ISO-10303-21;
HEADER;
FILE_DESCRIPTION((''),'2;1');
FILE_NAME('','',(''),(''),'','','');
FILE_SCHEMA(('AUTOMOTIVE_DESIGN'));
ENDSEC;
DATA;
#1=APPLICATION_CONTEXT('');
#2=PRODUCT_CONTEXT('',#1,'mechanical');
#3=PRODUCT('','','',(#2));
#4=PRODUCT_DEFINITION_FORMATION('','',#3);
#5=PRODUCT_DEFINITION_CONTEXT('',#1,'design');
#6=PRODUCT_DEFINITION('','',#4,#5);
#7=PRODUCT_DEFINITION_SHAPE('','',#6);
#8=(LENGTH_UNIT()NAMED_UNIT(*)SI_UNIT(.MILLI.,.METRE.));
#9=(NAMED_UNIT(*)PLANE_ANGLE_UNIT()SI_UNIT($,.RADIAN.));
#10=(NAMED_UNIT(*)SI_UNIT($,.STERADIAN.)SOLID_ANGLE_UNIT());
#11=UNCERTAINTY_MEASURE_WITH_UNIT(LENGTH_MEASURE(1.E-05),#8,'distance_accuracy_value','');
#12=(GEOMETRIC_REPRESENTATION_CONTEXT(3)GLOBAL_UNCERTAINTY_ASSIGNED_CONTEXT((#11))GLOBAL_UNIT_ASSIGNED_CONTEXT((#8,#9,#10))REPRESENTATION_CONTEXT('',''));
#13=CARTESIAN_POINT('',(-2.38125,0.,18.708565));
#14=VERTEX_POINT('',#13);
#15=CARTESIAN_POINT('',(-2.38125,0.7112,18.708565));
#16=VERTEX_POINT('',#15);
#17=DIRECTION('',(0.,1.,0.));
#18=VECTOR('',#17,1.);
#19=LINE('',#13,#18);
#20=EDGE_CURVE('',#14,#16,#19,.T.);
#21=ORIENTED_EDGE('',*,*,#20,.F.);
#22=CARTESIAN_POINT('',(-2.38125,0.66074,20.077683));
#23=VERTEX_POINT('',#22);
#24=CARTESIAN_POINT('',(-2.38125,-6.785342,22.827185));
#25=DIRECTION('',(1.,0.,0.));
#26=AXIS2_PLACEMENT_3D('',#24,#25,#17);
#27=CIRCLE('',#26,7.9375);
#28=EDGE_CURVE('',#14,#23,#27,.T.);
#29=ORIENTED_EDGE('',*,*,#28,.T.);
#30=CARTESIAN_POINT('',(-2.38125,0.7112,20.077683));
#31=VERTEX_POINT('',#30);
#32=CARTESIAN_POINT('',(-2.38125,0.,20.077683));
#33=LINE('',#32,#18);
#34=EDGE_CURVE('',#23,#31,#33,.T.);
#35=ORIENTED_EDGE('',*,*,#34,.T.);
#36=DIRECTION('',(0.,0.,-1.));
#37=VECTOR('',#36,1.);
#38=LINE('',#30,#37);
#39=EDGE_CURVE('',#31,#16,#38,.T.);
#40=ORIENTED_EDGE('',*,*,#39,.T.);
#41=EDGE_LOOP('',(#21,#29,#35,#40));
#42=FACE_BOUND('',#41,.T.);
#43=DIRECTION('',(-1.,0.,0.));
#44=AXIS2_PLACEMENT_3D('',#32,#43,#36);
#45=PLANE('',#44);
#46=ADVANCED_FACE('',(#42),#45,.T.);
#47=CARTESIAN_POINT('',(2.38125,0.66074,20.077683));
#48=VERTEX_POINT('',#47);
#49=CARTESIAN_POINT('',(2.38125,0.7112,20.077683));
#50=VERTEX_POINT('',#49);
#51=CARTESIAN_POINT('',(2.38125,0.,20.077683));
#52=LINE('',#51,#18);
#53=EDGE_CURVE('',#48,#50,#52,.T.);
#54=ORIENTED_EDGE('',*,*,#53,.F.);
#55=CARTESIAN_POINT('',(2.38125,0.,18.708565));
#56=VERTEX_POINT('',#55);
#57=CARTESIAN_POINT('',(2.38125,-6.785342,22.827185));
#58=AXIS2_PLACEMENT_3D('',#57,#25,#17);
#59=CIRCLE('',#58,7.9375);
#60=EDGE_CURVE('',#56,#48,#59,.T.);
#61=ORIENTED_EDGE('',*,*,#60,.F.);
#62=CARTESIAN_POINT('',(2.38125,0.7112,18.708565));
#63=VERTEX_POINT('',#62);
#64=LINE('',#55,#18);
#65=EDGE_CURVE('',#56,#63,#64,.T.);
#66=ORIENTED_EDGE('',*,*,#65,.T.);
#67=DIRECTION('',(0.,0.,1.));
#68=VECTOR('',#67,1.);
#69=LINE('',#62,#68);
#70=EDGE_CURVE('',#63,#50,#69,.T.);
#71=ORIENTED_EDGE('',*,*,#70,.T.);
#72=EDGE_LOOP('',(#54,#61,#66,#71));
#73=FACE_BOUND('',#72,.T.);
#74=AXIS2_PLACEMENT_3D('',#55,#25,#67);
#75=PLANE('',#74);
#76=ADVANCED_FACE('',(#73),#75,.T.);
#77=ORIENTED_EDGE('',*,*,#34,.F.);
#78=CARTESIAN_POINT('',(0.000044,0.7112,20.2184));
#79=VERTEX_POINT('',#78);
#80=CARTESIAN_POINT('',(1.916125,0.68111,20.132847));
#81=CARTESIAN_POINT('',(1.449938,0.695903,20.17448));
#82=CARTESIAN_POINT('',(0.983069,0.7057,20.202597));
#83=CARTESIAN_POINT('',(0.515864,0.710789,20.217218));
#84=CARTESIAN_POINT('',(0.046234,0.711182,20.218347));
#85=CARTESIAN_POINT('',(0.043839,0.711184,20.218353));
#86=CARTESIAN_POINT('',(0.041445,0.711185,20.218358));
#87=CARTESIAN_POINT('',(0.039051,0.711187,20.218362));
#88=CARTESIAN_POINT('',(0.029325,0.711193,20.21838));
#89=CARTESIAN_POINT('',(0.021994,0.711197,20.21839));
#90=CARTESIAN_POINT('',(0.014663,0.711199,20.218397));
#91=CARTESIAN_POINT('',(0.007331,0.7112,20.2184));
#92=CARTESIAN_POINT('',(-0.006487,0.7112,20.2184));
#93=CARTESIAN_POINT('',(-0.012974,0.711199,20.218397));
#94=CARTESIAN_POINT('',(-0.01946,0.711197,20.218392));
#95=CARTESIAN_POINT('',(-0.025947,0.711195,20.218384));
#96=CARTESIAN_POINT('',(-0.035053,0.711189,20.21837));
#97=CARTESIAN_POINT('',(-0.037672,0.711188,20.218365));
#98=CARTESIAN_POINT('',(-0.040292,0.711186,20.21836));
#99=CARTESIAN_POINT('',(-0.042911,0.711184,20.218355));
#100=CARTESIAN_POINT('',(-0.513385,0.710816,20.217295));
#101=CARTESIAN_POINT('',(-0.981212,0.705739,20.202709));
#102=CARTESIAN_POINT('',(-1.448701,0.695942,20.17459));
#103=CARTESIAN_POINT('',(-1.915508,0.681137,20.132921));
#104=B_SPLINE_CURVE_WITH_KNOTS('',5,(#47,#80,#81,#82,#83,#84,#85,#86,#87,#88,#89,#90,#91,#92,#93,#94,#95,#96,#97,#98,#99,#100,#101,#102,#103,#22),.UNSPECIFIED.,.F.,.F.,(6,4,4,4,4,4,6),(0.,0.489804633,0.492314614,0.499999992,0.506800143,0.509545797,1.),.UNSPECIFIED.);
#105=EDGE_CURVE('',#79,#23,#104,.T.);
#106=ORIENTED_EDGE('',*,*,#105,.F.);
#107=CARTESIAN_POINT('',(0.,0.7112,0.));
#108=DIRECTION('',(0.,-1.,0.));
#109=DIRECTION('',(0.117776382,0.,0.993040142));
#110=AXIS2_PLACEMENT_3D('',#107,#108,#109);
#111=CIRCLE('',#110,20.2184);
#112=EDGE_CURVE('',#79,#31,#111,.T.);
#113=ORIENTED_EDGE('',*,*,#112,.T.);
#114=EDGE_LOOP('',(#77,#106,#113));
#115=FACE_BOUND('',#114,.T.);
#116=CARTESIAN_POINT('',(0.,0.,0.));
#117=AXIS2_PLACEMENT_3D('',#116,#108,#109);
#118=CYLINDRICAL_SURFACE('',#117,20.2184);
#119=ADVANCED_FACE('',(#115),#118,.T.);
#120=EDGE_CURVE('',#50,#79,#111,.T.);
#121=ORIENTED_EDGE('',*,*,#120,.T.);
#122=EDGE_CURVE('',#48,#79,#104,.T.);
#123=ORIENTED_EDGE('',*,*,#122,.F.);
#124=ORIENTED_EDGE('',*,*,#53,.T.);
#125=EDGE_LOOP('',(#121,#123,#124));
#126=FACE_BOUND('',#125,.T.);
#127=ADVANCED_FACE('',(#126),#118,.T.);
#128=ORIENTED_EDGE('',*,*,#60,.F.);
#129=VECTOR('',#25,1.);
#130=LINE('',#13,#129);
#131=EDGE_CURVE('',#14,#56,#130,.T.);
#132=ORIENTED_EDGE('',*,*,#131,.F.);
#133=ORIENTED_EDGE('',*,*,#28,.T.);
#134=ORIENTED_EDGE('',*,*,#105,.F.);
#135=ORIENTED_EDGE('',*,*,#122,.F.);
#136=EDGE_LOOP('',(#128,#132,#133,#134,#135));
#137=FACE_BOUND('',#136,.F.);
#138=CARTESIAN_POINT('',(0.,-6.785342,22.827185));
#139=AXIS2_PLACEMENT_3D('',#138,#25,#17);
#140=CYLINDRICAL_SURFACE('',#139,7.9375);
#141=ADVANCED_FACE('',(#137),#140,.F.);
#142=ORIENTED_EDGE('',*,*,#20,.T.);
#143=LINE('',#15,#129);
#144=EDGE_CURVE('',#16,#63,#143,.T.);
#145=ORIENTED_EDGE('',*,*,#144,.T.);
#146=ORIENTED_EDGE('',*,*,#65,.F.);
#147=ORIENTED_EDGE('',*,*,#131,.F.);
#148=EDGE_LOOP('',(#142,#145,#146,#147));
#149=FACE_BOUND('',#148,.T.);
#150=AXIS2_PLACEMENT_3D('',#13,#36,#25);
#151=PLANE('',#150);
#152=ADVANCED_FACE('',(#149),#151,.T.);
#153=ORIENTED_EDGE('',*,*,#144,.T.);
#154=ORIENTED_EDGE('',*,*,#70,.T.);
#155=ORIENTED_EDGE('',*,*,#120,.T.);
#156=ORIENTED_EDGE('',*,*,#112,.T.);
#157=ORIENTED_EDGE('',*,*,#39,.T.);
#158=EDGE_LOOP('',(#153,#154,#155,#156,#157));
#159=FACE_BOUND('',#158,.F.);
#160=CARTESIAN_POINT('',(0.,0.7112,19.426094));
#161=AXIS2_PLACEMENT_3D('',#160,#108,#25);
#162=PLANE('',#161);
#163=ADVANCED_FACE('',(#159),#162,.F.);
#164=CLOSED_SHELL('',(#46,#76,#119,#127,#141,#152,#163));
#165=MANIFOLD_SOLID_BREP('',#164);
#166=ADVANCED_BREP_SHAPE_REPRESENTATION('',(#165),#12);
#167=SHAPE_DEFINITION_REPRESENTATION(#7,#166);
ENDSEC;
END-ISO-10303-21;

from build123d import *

# Parameters (mm, degrees)
F1_DEPTH = 0.7112
F2_R     = 7.9375
F3_DEPTH = 2.38125


with BuildPart() as f1:
    # F0 (on Front) → F1 (new body)
    with BuildSketch(Plane.XZ):
        with BuildLine():
            Line((2.38125, 18.7085645812), (2.38125, 20.0776828095))
            ThreePointArc((2.38125, 20.0776828095), (0, 20.2184), (-2.38125, 20.0776828095))
            Line((-2.38125, 20.0776828095), (-2.38125, 18.7085645812))
            Line((-2.38125, 18.7085645812), (0, 18.7085645812))
            Line((0, 18.7085645812), (2.38125, 18.7085645812))
        make_face()
    extrude(amount=-F1_DEPTH)

    # F2 (on Right) → F3 (cut, symmetric)
    with BuildSketch(Plane.YZ):
        with Locations((-6.7853422018, 22.8271854006)):
            Circle(F2_R)
    extrude(amount=F3_DEPTH, both=True, mode=Mode.SUBTRACT)


solid = f1.part
